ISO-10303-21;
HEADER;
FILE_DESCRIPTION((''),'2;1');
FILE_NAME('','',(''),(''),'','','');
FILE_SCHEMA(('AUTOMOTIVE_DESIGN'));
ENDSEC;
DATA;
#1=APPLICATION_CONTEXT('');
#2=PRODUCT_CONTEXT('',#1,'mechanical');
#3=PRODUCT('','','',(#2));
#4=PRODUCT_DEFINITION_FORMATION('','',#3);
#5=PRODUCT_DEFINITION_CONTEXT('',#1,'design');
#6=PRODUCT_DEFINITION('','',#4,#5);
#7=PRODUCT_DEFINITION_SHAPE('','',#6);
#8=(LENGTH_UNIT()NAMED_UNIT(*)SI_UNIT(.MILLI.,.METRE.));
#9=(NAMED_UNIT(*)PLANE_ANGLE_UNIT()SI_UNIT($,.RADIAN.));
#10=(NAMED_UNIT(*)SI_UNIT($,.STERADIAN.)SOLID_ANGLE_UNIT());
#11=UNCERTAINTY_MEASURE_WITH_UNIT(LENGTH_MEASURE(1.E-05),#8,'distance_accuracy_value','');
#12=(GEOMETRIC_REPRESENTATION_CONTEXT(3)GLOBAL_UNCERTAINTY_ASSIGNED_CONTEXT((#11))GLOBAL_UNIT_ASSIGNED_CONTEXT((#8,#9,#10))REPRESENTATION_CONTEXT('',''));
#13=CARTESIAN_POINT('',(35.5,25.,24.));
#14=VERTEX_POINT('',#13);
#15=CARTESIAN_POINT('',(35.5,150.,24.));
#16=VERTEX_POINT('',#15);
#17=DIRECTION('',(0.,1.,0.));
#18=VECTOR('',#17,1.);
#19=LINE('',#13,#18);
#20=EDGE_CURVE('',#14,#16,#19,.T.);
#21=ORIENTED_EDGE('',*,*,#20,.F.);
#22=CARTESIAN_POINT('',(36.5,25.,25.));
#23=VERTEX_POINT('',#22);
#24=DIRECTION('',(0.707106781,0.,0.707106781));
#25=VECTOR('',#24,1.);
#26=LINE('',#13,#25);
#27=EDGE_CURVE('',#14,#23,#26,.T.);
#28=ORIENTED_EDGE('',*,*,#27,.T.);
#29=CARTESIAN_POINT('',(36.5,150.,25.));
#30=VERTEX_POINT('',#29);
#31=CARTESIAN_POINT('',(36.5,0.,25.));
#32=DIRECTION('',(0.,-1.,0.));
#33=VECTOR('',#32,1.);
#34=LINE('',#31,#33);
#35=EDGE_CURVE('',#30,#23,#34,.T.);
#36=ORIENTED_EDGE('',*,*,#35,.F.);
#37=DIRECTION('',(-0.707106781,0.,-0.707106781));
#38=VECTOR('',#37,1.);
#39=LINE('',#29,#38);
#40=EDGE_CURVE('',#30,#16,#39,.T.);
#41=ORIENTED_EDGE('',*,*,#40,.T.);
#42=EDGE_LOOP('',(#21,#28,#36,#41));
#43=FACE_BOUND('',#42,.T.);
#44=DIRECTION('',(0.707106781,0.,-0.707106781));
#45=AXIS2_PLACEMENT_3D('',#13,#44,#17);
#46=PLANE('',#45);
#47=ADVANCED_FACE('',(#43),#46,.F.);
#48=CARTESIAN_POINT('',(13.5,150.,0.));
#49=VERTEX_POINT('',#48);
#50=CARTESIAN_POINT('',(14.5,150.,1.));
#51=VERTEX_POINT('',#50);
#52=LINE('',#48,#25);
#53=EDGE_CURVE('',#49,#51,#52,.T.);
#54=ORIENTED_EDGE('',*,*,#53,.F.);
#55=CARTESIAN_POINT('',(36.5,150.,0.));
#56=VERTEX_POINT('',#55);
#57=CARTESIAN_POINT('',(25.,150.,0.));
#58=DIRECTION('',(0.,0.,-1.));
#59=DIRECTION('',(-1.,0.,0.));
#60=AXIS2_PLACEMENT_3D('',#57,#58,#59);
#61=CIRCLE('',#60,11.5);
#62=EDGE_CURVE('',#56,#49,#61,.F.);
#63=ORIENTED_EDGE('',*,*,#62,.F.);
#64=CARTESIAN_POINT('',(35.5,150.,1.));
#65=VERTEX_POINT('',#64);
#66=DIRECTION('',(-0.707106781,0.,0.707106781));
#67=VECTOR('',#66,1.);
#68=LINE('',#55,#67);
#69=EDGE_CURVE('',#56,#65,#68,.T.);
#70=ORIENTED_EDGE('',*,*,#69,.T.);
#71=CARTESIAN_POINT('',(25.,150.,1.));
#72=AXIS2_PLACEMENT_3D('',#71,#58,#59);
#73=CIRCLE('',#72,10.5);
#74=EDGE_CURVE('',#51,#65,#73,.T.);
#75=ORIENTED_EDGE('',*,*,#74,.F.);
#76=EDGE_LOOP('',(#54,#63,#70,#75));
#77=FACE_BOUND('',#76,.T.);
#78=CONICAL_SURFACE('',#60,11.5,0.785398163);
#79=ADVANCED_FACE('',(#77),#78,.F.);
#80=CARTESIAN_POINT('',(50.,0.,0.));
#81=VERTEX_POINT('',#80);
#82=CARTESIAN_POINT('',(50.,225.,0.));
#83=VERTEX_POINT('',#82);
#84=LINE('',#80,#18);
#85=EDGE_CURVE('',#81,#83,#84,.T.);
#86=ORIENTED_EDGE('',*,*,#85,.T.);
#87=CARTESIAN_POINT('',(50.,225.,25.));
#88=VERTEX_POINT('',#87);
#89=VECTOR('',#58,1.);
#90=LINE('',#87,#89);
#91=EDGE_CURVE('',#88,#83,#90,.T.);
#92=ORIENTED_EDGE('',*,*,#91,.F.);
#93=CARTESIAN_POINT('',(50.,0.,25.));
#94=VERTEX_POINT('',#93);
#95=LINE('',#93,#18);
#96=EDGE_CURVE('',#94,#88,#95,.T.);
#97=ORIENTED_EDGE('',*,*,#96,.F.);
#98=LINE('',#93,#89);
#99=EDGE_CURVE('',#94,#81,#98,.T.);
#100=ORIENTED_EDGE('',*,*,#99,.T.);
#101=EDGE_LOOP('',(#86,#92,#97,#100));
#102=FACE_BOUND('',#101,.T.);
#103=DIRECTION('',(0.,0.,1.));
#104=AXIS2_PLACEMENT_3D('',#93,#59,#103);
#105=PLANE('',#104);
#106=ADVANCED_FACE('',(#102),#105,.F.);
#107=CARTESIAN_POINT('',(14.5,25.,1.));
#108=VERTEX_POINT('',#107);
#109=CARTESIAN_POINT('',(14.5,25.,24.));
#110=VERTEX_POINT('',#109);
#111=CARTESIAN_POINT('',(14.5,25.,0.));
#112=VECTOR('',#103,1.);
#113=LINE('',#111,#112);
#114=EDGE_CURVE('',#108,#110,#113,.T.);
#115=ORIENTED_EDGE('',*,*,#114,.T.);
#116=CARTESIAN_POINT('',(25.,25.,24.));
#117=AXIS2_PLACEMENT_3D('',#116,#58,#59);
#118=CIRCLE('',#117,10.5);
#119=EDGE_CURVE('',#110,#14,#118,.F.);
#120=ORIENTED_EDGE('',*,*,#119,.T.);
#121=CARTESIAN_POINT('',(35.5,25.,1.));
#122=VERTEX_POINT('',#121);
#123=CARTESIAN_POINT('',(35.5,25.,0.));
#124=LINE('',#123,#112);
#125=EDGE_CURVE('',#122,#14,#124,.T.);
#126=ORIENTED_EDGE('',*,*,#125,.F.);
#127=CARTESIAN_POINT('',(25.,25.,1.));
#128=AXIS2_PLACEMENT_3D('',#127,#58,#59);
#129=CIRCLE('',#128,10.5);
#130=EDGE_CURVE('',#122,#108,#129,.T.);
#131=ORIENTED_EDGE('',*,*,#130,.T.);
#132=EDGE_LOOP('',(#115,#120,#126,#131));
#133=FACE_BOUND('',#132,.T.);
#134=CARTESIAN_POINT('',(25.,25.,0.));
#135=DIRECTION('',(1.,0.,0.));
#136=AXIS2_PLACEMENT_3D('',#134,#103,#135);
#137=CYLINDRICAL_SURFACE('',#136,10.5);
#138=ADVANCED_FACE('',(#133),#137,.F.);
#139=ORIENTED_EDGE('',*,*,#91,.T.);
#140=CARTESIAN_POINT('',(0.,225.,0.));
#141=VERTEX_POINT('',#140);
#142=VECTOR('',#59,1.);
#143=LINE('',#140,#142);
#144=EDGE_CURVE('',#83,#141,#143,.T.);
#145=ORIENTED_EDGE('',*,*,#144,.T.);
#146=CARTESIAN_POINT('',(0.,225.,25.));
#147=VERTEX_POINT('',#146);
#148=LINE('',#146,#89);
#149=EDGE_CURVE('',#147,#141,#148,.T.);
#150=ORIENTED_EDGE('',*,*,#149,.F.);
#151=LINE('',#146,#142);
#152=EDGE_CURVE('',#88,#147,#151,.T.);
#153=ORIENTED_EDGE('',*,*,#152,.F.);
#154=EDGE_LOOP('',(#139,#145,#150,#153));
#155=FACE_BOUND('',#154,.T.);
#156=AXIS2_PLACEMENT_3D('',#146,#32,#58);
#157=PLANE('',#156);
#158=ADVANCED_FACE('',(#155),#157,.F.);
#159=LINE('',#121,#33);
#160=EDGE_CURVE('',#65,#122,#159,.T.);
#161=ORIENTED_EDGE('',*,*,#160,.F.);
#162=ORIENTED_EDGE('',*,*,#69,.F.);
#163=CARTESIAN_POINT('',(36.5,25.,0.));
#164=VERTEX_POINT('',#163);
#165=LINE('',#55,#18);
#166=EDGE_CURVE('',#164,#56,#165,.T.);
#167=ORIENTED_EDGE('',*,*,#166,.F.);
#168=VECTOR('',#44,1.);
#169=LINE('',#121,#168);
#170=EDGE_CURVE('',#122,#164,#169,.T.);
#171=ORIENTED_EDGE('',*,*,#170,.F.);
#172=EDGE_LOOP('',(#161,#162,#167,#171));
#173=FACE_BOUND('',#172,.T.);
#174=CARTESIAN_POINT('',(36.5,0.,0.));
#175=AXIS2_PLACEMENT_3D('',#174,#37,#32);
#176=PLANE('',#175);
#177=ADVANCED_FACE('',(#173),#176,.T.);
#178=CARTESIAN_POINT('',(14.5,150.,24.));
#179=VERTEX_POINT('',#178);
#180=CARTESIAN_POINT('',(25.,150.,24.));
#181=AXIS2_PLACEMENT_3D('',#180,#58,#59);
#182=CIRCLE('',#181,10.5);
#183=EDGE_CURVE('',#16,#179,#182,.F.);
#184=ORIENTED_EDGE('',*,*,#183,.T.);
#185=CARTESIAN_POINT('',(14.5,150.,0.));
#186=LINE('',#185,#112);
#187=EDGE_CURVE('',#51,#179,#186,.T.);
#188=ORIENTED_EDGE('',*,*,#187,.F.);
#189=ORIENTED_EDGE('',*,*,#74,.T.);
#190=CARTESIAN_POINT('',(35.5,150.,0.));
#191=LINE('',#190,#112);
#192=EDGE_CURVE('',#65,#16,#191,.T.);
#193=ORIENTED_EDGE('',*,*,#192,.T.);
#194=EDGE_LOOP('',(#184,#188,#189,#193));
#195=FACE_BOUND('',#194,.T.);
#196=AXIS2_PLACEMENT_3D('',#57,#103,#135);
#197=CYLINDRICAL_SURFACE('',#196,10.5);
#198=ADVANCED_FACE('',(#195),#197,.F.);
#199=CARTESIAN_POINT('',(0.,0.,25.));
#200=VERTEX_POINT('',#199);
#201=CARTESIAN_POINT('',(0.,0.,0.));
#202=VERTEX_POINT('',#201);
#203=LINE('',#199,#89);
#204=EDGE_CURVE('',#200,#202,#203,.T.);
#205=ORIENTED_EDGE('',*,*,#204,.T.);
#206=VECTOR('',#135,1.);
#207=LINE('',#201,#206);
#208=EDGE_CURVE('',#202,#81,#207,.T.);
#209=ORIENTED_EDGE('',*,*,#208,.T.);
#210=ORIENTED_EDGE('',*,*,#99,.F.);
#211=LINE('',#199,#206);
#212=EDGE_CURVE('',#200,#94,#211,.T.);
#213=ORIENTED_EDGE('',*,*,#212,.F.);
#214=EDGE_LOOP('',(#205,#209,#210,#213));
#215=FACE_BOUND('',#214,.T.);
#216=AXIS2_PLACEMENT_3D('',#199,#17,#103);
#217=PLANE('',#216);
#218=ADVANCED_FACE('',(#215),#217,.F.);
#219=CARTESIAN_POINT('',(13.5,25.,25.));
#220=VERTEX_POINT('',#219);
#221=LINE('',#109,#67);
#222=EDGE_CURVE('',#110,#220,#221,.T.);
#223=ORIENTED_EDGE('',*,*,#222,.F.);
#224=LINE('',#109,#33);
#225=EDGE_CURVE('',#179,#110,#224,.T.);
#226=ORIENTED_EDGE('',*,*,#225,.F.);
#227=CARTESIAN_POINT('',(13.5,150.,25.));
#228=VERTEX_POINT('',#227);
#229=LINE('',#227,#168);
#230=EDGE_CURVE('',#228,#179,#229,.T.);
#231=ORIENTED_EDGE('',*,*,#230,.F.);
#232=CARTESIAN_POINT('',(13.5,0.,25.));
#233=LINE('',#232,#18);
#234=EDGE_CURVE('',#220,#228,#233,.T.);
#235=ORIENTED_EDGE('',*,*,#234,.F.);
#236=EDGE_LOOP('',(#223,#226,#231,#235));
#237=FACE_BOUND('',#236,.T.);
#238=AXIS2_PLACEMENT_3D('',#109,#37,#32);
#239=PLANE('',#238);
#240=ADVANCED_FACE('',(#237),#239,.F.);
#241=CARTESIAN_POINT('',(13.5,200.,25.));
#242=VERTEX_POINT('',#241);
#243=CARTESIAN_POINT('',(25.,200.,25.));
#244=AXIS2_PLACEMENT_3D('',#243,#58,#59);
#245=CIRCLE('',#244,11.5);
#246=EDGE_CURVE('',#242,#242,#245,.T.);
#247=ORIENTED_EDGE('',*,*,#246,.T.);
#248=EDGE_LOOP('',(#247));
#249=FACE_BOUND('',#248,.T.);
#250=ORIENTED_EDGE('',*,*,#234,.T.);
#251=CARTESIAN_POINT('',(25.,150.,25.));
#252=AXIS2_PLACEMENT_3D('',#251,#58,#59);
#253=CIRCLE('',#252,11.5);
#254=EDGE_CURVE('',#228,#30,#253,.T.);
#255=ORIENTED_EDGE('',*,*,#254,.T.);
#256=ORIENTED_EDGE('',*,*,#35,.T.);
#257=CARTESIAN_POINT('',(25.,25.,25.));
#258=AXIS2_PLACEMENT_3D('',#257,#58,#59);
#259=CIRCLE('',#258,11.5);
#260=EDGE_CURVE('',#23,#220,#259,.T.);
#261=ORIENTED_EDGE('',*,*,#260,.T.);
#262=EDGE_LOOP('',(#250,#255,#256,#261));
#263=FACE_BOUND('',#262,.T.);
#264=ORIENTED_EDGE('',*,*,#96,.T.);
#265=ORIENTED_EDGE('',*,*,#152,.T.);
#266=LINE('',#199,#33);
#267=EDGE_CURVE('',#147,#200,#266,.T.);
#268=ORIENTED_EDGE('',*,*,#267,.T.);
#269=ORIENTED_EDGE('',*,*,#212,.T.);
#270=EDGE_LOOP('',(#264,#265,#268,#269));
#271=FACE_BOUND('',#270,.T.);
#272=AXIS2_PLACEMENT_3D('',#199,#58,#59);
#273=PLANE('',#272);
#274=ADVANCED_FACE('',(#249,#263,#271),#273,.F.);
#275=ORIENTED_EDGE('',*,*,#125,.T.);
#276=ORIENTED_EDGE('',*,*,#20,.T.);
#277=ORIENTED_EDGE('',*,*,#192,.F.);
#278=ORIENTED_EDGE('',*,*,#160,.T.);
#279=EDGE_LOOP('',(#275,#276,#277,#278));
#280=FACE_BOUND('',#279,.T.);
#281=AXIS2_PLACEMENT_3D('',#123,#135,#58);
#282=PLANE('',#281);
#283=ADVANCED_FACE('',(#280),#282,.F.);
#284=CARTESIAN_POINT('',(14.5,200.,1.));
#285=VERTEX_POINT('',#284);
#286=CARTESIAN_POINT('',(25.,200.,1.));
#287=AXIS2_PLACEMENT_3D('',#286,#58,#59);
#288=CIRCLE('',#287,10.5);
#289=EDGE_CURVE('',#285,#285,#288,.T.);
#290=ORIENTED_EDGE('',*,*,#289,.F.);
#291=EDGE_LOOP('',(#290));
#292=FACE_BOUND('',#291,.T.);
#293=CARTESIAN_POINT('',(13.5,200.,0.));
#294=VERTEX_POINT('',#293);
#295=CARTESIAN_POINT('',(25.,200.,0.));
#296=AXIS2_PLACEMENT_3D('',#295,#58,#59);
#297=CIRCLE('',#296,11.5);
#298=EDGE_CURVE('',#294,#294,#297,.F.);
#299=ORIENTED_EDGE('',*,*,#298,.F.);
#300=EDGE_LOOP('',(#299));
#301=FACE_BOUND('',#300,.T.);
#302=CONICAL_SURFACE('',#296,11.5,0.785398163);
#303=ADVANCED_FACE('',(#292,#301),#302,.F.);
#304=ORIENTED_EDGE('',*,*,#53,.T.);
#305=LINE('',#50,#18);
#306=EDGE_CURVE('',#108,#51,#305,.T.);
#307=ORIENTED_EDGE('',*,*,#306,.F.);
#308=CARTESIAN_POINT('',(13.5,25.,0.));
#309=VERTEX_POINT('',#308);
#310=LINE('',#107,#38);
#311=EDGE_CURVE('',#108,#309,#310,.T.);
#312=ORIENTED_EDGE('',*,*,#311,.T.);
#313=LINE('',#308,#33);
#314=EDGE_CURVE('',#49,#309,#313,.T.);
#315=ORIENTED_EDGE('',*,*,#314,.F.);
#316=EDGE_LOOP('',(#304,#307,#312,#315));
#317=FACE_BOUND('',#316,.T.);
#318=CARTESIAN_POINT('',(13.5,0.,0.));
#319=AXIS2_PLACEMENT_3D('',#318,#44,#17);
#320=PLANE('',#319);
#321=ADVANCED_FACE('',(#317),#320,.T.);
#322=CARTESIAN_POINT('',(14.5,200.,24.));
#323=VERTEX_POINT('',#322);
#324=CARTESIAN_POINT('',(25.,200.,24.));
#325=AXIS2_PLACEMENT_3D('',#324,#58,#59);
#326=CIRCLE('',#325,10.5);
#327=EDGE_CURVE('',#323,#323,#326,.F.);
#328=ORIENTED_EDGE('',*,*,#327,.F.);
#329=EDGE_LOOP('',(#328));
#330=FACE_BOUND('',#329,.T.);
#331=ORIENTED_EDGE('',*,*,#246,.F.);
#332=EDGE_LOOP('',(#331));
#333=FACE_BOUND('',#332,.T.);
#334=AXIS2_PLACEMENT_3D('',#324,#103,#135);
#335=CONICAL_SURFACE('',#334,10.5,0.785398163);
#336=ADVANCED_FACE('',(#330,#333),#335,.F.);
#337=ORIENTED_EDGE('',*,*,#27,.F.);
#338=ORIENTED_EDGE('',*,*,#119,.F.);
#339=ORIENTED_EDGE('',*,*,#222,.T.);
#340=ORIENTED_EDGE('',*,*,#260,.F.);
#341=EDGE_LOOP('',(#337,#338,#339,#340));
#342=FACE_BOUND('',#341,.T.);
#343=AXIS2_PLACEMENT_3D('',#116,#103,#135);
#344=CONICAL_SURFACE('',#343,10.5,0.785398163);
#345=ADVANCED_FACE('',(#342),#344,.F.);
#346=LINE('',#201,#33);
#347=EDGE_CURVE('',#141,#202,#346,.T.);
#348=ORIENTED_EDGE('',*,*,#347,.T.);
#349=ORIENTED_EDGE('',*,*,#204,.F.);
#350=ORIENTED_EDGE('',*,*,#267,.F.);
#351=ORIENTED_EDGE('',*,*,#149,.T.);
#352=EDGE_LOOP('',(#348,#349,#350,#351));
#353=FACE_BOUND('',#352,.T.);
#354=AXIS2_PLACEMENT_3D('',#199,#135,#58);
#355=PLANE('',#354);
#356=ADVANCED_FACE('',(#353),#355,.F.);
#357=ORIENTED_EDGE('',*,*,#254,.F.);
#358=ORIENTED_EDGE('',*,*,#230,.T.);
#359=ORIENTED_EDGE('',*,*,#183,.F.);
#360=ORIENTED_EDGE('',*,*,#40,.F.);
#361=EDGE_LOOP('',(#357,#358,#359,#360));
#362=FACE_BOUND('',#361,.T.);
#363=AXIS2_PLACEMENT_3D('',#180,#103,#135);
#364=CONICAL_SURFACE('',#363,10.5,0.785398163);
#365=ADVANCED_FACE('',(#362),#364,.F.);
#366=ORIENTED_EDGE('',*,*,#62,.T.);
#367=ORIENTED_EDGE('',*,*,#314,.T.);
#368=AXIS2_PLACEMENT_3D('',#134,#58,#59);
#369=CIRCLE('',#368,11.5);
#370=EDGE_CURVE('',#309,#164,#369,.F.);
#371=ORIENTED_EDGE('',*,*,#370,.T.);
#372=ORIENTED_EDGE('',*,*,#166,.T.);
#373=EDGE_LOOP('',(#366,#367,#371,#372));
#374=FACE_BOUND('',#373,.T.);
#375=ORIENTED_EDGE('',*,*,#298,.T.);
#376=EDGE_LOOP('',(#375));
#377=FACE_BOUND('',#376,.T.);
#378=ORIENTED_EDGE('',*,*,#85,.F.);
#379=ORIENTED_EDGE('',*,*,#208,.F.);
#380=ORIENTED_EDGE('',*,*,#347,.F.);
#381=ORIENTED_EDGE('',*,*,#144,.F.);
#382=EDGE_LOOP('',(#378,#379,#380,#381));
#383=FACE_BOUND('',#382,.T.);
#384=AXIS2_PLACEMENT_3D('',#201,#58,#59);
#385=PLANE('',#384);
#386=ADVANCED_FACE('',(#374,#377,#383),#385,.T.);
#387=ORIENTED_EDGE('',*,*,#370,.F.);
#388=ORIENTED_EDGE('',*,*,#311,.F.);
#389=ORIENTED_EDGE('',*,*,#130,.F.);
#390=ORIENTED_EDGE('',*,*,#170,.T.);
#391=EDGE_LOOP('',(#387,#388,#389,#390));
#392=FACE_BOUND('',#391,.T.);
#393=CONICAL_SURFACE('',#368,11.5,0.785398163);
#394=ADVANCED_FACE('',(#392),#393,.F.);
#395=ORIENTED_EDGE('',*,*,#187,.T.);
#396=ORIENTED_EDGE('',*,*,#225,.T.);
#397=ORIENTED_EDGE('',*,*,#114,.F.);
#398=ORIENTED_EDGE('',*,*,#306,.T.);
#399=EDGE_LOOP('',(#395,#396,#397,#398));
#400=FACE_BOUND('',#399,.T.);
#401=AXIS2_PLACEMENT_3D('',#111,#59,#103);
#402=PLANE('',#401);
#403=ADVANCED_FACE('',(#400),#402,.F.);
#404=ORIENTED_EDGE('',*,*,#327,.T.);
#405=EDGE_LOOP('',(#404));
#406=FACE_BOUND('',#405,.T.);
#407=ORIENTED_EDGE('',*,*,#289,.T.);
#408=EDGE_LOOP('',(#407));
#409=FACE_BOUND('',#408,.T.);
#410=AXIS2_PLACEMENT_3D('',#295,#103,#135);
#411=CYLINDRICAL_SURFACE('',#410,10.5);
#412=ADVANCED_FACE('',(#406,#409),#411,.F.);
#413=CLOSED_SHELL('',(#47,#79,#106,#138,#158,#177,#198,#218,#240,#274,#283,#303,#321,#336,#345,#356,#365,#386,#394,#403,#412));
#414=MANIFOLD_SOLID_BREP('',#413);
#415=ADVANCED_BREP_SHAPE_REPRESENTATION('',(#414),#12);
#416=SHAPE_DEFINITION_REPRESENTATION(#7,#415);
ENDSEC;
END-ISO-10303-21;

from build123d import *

# Parameters (mm, degrees)
SKETCH_1_W          = 50
SKETCH_1_H          = 225
EXTRUDE_1_DEPTH     = 25
SKETCH_2_R          = 10.5
CUT_EXTRUDE_1_DEPTH = 26
CHAMFER_1_SIZE      = 1


with BuildPart() as part:
    # Эскиз1 → Бобышка-Вытянуть1 (new body)
    with BuildSketch(Plane.XY):
        with Locations((25, 112.5)):
            Rectangle(SKETCH_1_W, SKETCH_1_H)
    extrude(amount=EXTRUDE_1_DEPTH)

    # Эскиз2 → Вырез-Вытянуть1 (cut, through all)
    with BuildSketch(Plane.XY.offset(25)):
        with Locations((25, 200)):
            Circle(SKETCH_2_R)
        with BuildLine():
            Line((14.5, 25), (14.5, 150))
            ThreePointArc((14.5, 150), (25, 160.5), (35.5, 150))
            Line((35.5, 150), (35.5, 25))
            ThreePointArc((35.5, 25), (25, 14.5), (14.5, 25))
        make_face()
    extrude(amount=-CUT_EXTRUDE_1_DEPTH, mode=Mode.SUBTRACT)

    # Фаска1
    chamfer_1_edges = [part.edges().sort_by_distance(p)[0] for p in [
        (25, 14.5, 0),
        (14.5, 87.5, 0),
        (25, 160.5, 0),
        (35.5, 87.5, 0),
        (25, 14.5, 25),
        (35.5, 87.5, 25),
        (25, 160.5, 25),
        (14.5, 87.5, 25),
        (14.5, 200, 0),
        (14.5, 200, 25),
    ]]
    chamfer(chamfer_1_edges, length=CHAMFER_1_SIZE)


solid = part.part
